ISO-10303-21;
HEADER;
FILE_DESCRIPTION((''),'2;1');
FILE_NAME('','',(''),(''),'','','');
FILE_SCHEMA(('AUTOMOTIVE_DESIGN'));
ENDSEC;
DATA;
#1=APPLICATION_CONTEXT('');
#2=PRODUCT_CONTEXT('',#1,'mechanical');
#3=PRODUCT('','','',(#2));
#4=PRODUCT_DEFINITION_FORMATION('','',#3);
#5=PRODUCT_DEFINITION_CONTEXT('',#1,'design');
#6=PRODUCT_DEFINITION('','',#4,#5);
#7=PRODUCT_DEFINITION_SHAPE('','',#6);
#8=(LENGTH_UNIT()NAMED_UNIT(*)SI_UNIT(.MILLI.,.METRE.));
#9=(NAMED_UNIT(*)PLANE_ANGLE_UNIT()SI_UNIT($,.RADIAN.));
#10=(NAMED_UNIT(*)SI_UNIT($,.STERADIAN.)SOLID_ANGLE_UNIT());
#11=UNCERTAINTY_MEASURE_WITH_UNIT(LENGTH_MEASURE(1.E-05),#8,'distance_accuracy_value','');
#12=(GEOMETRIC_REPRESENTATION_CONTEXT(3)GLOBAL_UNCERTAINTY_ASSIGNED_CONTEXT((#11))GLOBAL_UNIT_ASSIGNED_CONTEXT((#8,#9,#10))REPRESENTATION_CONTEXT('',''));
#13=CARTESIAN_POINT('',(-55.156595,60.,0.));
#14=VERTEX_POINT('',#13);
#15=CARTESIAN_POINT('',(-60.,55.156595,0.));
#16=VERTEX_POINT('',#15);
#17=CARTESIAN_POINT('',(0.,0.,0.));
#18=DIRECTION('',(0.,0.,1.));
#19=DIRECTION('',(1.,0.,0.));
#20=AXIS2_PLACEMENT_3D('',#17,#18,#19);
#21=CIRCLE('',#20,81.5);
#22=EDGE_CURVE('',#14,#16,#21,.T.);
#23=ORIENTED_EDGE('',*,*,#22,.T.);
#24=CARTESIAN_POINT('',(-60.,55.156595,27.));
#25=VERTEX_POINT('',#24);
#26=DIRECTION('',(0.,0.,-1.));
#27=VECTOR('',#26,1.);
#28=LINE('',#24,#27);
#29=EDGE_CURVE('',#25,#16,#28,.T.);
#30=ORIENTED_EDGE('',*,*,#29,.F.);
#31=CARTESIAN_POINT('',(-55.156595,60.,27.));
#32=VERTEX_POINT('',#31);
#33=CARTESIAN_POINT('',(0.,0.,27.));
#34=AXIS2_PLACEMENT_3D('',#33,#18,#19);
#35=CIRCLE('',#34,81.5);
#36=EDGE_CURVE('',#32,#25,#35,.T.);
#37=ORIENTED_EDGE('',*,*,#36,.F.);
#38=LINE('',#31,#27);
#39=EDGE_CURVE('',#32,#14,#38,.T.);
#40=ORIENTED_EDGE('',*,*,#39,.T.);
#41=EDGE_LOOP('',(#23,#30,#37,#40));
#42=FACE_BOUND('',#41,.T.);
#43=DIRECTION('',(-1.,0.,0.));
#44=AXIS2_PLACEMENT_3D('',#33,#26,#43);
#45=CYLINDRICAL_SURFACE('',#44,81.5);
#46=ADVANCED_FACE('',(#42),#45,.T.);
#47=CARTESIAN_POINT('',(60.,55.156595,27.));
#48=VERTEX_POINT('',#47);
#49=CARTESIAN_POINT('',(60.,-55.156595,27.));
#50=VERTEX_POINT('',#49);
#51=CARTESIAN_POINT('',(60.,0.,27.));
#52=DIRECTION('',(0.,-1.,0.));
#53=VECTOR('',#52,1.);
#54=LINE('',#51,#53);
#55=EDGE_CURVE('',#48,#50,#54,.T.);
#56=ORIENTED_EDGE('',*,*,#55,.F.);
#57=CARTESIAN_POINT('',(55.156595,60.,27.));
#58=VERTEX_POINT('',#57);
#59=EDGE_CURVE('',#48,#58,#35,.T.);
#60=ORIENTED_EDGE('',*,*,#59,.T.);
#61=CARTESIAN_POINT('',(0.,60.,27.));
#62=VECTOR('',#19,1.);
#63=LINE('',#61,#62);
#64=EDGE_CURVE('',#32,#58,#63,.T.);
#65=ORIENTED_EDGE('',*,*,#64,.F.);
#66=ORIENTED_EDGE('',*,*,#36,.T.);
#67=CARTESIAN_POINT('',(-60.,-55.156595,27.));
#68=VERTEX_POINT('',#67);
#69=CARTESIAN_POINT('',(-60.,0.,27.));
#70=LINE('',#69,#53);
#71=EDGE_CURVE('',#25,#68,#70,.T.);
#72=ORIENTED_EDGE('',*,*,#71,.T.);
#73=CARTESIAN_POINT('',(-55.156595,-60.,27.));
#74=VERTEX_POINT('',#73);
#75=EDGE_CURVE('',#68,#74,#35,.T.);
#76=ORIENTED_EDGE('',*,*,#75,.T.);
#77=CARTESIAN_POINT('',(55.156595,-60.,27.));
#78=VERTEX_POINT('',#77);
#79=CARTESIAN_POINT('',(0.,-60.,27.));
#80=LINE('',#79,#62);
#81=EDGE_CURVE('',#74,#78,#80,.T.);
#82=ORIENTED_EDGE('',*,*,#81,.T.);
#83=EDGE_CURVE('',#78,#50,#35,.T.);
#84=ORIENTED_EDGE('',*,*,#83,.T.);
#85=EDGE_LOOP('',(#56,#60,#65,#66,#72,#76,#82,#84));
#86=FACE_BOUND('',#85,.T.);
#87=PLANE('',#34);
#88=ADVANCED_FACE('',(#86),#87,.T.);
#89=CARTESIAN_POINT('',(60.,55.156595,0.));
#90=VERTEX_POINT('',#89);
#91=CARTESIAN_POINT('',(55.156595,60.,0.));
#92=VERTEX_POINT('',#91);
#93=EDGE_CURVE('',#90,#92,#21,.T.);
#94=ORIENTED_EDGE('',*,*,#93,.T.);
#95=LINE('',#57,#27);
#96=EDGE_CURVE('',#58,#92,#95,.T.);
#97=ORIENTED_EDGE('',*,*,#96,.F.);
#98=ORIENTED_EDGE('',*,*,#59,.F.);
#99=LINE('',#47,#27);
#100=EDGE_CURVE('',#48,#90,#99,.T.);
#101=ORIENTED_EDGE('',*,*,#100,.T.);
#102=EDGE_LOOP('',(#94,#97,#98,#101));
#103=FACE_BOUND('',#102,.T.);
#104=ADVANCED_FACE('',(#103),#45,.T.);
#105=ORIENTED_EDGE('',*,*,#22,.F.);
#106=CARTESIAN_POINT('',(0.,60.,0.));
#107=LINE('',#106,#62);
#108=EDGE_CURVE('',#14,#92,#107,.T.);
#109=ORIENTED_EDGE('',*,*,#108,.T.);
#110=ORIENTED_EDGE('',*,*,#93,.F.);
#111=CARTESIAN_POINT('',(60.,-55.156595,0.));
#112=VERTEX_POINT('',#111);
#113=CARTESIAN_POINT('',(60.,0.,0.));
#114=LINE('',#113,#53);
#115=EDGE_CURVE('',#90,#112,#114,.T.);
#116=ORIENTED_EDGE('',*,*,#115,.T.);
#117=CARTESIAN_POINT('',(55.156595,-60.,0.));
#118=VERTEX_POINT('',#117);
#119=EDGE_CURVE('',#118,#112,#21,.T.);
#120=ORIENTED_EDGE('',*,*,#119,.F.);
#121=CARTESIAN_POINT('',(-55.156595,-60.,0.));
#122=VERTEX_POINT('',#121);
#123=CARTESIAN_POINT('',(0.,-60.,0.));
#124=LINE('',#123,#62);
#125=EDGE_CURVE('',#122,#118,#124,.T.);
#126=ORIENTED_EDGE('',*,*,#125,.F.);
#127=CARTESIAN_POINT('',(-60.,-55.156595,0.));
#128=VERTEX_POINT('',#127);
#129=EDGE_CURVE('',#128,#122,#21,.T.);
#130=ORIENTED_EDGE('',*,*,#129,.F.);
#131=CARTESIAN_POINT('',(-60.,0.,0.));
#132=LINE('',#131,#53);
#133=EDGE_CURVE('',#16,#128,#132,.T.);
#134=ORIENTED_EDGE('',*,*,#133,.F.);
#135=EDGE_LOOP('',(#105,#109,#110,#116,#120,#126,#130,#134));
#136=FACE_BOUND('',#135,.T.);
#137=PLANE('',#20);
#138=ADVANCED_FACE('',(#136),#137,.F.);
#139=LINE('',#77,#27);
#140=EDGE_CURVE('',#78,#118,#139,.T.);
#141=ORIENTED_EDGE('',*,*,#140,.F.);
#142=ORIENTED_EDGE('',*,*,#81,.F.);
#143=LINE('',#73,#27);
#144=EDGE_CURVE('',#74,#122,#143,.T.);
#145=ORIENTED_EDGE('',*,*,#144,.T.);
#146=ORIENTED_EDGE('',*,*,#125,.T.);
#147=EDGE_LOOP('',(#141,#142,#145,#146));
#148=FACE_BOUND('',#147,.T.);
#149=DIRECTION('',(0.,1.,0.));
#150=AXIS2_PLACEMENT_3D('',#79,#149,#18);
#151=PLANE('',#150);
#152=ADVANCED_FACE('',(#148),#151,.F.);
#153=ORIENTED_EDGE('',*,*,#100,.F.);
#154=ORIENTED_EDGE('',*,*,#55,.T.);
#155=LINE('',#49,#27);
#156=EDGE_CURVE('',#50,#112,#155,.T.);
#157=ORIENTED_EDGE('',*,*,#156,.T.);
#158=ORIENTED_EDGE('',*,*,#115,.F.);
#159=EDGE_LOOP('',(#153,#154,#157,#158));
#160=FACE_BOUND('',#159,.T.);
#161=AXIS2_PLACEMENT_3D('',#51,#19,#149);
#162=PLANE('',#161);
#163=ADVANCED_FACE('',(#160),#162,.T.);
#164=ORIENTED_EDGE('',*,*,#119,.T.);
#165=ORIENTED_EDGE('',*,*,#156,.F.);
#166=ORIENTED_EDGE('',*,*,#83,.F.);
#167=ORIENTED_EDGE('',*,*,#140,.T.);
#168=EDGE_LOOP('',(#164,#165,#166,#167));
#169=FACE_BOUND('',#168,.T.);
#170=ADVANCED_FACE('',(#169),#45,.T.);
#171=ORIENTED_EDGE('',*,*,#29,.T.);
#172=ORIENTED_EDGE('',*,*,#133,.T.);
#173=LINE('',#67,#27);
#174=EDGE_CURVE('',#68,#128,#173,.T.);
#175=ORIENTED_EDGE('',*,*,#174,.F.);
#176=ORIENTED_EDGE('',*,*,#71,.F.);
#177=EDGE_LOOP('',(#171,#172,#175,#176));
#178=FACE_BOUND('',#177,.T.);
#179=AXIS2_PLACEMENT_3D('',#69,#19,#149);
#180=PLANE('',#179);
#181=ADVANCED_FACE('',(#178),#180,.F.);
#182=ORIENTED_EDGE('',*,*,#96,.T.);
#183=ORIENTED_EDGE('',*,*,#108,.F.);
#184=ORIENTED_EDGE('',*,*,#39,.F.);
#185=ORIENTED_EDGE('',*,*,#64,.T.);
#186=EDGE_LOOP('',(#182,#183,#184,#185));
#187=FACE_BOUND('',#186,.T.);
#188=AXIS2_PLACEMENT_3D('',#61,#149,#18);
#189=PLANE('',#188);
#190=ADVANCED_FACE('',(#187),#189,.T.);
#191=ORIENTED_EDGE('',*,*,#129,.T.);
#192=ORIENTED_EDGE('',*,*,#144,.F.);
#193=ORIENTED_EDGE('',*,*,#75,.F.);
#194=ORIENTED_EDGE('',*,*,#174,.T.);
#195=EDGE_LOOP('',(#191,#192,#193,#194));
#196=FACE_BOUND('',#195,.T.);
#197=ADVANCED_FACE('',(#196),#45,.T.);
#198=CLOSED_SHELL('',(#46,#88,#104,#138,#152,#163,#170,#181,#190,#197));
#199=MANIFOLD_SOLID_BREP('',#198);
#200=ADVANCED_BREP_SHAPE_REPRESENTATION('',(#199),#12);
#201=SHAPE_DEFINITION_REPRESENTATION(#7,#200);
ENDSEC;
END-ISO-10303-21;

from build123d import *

# Parameters (mm, degrees)
BOSS_EXTRUDE1_DEPTH = 27


with BuildPart() as part:
    # Sketch1 → Boss-Extrude1 (new body)
    with BuildSketch(Plane.XY):
        with BuildLine():
            Line((55.156595254, 60), (-55.156595254, 60))
            ThreePointArc((-55.156595254, 60), (-57.629202667, 57.629202667), (-60, 55.156595254))
            Line((-60, 55.156595254), (-60, -55.156595254))
            ThreePointArc((-60, -55.156595254), (-57.629202667, -57.629202667), (-55.156595254, -60))
            Line((-55.156595254, -60), (55.156595254, -60))
            ThreePointArc((55.156595254, -60), (57.629202667, -57.629202667), (60, -55.156595254))
            Line((60, -55.156595254), (60, 55.156595254))
            ThreePointArc((60, 55.156595254), (57.629202667, 57.629202667), (55.156595254, 60))
        make_face()
    extrude(amount=BOSS_EXTRUDE1_DEPTH)


solid = part.part
